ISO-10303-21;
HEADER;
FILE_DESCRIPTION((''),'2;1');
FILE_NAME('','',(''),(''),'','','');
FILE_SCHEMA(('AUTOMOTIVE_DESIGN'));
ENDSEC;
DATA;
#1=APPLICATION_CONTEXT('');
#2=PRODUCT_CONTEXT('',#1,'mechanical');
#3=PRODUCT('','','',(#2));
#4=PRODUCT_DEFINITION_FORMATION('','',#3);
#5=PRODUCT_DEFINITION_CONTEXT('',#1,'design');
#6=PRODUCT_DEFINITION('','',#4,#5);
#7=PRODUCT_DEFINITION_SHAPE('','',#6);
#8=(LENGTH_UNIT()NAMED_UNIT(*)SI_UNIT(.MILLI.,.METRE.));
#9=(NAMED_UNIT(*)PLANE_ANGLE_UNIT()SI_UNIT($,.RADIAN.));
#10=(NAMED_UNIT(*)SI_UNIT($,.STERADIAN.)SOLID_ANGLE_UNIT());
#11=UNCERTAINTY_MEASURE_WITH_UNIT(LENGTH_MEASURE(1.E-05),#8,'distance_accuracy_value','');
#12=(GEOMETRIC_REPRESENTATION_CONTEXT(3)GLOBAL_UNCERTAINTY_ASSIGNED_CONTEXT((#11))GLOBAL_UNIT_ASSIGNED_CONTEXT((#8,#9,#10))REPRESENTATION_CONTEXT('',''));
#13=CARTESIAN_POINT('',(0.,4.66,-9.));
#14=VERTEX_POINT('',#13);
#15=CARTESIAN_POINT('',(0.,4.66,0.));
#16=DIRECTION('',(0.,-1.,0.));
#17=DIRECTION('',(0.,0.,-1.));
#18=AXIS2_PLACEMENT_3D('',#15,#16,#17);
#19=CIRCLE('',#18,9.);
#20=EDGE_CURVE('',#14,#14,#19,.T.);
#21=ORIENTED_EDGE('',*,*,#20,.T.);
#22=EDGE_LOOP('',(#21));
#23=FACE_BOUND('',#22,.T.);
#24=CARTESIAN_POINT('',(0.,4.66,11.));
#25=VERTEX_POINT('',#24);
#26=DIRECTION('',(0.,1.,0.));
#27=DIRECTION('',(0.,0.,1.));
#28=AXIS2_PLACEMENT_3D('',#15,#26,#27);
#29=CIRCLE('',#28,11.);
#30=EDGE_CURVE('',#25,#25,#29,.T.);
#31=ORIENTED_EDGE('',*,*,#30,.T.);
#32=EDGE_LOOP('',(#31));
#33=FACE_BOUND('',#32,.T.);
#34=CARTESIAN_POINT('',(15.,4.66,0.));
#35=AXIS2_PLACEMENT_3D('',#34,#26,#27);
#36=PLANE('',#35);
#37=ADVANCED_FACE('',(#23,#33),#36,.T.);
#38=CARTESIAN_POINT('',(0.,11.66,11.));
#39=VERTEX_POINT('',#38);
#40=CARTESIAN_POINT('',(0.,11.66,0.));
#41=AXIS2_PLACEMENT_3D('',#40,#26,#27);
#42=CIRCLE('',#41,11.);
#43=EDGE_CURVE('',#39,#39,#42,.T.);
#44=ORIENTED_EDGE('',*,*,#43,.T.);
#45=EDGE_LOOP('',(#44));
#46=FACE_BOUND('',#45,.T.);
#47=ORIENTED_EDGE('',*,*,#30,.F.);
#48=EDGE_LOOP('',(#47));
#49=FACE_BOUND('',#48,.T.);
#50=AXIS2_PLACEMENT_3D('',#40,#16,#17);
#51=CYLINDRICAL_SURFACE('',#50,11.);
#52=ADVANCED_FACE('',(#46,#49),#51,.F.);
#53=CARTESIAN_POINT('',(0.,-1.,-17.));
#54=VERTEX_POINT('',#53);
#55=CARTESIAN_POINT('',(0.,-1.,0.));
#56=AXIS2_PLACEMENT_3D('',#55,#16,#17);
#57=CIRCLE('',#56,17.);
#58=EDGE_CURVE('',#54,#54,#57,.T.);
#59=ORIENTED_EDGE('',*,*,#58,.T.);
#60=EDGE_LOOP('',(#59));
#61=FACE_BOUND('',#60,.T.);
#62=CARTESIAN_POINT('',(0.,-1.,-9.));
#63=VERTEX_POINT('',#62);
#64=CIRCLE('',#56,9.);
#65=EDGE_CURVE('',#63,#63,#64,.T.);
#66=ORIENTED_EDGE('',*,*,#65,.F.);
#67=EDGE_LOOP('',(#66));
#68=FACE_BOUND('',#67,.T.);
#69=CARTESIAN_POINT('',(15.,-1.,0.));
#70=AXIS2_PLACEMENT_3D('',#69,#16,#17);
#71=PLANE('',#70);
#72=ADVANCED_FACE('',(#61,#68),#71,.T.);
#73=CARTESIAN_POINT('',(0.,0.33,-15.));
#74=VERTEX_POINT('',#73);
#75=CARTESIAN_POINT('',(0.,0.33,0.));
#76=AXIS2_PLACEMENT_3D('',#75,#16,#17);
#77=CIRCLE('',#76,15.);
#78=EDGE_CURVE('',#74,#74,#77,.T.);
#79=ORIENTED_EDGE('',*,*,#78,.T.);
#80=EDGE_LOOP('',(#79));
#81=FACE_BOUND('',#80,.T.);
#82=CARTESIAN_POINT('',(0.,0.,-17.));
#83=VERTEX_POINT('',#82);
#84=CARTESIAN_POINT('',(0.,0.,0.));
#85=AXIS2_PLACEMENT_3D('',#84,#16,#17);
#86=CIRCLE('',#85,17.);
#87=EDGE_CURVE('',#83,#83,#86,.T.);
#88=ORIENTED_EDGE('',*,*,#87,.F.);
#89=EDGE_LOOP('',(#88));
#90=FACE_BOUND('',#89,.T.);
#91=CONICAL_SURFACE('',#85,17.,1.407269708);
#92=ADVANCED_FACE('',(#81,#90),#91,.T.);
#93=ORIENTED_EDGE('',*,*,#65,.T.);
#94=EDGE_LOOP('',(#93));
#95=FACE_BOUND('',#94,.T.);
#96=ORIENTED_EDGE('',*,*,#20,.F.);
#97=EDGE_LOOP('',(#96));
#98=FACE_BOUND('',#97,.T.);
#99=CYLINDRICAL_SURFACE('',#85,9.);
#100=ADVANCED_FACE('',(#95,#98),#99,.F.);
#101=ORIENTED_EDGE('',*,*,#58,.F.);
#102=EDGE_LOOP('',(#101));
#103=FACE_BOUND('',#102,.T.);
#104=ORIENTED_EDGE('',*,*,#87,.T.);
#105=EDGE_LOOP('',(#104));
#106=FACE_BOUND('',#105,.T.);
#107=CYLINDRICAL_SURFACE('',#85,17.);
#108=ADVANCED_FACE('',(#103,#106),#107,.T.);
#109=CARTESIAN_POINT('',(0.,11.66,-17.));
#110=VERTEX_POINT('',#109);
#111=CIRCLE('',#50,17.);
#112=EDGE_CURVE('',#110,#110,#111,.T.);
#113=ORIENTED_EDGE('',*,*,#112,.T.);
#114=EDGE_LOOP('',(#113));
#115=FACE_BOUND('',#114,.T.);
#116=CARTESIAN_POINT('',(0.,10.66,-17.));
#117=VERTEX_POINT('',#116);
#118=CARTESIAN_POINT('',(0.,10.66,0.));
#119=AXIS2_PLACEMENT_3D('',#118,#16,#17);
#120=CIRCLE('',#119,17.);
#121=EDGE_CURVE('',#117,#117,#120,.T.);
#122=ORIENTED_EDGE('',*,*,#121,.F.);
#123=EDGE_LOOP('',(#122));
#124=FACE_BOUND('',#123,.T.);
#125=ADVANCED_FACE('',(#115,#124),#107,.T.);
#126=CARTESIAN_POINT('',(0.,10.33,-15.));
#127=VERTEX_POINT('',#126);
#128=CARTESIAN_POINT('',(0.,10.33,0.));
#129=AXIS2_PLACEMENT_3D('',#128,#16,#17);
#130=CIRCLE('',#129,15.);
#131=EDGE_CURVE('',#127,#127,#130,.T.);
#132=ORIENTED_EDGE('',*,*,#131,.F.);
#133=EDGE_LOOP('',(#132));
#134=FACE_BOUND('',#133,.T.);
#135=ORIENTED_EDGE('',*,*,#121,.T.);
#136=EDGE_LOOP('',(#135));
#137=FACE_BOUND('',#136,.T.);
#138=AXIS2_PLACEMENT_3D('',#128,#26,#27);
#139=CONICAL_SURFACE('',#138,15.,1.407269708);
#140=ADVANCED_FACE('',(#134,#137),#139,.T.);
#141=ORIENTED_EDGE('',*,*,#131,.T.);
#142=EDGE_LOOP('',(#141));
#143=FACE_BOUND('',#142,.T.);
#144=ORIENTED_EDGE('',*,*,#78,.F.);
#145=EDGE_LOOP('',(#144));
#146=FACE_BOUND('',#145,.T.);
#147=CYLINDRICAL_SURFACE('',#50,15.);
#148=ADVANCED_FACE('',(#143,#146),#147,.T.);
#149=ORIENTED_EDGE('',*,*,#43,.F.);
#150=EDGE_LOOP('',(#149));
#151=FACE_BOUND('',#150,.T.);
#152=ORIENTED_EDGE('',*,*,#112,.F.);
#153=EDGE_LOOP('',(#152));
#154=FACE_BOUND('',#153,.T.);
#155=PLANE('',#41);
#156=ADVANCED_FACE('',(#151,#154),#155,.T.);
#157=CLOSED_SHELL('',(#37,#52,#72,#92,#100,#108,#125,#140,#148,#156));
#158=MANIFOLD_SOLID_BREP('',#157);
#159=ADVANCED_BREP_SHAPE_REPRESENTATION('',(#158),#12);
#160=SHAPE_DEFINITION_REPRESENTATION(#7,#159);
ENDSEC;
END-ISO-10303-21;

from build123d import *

# Parameters (mm, degrees)
SKETCH1_R           = 15
SKETCH1_R_2         = 11
BOSS_EXTRUDE1_DEPTH = 11.66


with BuildPart() as part:
    # Sketch1 → Boss-Extrude1 (new body)
    with BuildSketch(Plane(origin=(0, 0, 0), x_dir=(1, 0, 0), z_dir=(0, 1, 0))):
        Circle(SKETCH1_R)
        Circle(SKETCH1_R_2, mode=Mode.SUBTRACT)
    extrude(amount=BOSS_EXTRUDE1_DEPTH)

    # Sketch2 → Revolve1 (revolve)
    with BuildSketch(Plane.XY):
        Polygon((15, 11.66), (17, 11.66), (17, 10.66), (15, 10.33), align=None)
        Polygon((15, 0.33), (17, 0), (17, -1), (15, -1), (9, -1), (9, 0.33), (9, 4.66), (15, 4.66), align=None)
    revolve(axis=Axis((0, 0, 0), (0, 1, 0)))


solid = part.part
